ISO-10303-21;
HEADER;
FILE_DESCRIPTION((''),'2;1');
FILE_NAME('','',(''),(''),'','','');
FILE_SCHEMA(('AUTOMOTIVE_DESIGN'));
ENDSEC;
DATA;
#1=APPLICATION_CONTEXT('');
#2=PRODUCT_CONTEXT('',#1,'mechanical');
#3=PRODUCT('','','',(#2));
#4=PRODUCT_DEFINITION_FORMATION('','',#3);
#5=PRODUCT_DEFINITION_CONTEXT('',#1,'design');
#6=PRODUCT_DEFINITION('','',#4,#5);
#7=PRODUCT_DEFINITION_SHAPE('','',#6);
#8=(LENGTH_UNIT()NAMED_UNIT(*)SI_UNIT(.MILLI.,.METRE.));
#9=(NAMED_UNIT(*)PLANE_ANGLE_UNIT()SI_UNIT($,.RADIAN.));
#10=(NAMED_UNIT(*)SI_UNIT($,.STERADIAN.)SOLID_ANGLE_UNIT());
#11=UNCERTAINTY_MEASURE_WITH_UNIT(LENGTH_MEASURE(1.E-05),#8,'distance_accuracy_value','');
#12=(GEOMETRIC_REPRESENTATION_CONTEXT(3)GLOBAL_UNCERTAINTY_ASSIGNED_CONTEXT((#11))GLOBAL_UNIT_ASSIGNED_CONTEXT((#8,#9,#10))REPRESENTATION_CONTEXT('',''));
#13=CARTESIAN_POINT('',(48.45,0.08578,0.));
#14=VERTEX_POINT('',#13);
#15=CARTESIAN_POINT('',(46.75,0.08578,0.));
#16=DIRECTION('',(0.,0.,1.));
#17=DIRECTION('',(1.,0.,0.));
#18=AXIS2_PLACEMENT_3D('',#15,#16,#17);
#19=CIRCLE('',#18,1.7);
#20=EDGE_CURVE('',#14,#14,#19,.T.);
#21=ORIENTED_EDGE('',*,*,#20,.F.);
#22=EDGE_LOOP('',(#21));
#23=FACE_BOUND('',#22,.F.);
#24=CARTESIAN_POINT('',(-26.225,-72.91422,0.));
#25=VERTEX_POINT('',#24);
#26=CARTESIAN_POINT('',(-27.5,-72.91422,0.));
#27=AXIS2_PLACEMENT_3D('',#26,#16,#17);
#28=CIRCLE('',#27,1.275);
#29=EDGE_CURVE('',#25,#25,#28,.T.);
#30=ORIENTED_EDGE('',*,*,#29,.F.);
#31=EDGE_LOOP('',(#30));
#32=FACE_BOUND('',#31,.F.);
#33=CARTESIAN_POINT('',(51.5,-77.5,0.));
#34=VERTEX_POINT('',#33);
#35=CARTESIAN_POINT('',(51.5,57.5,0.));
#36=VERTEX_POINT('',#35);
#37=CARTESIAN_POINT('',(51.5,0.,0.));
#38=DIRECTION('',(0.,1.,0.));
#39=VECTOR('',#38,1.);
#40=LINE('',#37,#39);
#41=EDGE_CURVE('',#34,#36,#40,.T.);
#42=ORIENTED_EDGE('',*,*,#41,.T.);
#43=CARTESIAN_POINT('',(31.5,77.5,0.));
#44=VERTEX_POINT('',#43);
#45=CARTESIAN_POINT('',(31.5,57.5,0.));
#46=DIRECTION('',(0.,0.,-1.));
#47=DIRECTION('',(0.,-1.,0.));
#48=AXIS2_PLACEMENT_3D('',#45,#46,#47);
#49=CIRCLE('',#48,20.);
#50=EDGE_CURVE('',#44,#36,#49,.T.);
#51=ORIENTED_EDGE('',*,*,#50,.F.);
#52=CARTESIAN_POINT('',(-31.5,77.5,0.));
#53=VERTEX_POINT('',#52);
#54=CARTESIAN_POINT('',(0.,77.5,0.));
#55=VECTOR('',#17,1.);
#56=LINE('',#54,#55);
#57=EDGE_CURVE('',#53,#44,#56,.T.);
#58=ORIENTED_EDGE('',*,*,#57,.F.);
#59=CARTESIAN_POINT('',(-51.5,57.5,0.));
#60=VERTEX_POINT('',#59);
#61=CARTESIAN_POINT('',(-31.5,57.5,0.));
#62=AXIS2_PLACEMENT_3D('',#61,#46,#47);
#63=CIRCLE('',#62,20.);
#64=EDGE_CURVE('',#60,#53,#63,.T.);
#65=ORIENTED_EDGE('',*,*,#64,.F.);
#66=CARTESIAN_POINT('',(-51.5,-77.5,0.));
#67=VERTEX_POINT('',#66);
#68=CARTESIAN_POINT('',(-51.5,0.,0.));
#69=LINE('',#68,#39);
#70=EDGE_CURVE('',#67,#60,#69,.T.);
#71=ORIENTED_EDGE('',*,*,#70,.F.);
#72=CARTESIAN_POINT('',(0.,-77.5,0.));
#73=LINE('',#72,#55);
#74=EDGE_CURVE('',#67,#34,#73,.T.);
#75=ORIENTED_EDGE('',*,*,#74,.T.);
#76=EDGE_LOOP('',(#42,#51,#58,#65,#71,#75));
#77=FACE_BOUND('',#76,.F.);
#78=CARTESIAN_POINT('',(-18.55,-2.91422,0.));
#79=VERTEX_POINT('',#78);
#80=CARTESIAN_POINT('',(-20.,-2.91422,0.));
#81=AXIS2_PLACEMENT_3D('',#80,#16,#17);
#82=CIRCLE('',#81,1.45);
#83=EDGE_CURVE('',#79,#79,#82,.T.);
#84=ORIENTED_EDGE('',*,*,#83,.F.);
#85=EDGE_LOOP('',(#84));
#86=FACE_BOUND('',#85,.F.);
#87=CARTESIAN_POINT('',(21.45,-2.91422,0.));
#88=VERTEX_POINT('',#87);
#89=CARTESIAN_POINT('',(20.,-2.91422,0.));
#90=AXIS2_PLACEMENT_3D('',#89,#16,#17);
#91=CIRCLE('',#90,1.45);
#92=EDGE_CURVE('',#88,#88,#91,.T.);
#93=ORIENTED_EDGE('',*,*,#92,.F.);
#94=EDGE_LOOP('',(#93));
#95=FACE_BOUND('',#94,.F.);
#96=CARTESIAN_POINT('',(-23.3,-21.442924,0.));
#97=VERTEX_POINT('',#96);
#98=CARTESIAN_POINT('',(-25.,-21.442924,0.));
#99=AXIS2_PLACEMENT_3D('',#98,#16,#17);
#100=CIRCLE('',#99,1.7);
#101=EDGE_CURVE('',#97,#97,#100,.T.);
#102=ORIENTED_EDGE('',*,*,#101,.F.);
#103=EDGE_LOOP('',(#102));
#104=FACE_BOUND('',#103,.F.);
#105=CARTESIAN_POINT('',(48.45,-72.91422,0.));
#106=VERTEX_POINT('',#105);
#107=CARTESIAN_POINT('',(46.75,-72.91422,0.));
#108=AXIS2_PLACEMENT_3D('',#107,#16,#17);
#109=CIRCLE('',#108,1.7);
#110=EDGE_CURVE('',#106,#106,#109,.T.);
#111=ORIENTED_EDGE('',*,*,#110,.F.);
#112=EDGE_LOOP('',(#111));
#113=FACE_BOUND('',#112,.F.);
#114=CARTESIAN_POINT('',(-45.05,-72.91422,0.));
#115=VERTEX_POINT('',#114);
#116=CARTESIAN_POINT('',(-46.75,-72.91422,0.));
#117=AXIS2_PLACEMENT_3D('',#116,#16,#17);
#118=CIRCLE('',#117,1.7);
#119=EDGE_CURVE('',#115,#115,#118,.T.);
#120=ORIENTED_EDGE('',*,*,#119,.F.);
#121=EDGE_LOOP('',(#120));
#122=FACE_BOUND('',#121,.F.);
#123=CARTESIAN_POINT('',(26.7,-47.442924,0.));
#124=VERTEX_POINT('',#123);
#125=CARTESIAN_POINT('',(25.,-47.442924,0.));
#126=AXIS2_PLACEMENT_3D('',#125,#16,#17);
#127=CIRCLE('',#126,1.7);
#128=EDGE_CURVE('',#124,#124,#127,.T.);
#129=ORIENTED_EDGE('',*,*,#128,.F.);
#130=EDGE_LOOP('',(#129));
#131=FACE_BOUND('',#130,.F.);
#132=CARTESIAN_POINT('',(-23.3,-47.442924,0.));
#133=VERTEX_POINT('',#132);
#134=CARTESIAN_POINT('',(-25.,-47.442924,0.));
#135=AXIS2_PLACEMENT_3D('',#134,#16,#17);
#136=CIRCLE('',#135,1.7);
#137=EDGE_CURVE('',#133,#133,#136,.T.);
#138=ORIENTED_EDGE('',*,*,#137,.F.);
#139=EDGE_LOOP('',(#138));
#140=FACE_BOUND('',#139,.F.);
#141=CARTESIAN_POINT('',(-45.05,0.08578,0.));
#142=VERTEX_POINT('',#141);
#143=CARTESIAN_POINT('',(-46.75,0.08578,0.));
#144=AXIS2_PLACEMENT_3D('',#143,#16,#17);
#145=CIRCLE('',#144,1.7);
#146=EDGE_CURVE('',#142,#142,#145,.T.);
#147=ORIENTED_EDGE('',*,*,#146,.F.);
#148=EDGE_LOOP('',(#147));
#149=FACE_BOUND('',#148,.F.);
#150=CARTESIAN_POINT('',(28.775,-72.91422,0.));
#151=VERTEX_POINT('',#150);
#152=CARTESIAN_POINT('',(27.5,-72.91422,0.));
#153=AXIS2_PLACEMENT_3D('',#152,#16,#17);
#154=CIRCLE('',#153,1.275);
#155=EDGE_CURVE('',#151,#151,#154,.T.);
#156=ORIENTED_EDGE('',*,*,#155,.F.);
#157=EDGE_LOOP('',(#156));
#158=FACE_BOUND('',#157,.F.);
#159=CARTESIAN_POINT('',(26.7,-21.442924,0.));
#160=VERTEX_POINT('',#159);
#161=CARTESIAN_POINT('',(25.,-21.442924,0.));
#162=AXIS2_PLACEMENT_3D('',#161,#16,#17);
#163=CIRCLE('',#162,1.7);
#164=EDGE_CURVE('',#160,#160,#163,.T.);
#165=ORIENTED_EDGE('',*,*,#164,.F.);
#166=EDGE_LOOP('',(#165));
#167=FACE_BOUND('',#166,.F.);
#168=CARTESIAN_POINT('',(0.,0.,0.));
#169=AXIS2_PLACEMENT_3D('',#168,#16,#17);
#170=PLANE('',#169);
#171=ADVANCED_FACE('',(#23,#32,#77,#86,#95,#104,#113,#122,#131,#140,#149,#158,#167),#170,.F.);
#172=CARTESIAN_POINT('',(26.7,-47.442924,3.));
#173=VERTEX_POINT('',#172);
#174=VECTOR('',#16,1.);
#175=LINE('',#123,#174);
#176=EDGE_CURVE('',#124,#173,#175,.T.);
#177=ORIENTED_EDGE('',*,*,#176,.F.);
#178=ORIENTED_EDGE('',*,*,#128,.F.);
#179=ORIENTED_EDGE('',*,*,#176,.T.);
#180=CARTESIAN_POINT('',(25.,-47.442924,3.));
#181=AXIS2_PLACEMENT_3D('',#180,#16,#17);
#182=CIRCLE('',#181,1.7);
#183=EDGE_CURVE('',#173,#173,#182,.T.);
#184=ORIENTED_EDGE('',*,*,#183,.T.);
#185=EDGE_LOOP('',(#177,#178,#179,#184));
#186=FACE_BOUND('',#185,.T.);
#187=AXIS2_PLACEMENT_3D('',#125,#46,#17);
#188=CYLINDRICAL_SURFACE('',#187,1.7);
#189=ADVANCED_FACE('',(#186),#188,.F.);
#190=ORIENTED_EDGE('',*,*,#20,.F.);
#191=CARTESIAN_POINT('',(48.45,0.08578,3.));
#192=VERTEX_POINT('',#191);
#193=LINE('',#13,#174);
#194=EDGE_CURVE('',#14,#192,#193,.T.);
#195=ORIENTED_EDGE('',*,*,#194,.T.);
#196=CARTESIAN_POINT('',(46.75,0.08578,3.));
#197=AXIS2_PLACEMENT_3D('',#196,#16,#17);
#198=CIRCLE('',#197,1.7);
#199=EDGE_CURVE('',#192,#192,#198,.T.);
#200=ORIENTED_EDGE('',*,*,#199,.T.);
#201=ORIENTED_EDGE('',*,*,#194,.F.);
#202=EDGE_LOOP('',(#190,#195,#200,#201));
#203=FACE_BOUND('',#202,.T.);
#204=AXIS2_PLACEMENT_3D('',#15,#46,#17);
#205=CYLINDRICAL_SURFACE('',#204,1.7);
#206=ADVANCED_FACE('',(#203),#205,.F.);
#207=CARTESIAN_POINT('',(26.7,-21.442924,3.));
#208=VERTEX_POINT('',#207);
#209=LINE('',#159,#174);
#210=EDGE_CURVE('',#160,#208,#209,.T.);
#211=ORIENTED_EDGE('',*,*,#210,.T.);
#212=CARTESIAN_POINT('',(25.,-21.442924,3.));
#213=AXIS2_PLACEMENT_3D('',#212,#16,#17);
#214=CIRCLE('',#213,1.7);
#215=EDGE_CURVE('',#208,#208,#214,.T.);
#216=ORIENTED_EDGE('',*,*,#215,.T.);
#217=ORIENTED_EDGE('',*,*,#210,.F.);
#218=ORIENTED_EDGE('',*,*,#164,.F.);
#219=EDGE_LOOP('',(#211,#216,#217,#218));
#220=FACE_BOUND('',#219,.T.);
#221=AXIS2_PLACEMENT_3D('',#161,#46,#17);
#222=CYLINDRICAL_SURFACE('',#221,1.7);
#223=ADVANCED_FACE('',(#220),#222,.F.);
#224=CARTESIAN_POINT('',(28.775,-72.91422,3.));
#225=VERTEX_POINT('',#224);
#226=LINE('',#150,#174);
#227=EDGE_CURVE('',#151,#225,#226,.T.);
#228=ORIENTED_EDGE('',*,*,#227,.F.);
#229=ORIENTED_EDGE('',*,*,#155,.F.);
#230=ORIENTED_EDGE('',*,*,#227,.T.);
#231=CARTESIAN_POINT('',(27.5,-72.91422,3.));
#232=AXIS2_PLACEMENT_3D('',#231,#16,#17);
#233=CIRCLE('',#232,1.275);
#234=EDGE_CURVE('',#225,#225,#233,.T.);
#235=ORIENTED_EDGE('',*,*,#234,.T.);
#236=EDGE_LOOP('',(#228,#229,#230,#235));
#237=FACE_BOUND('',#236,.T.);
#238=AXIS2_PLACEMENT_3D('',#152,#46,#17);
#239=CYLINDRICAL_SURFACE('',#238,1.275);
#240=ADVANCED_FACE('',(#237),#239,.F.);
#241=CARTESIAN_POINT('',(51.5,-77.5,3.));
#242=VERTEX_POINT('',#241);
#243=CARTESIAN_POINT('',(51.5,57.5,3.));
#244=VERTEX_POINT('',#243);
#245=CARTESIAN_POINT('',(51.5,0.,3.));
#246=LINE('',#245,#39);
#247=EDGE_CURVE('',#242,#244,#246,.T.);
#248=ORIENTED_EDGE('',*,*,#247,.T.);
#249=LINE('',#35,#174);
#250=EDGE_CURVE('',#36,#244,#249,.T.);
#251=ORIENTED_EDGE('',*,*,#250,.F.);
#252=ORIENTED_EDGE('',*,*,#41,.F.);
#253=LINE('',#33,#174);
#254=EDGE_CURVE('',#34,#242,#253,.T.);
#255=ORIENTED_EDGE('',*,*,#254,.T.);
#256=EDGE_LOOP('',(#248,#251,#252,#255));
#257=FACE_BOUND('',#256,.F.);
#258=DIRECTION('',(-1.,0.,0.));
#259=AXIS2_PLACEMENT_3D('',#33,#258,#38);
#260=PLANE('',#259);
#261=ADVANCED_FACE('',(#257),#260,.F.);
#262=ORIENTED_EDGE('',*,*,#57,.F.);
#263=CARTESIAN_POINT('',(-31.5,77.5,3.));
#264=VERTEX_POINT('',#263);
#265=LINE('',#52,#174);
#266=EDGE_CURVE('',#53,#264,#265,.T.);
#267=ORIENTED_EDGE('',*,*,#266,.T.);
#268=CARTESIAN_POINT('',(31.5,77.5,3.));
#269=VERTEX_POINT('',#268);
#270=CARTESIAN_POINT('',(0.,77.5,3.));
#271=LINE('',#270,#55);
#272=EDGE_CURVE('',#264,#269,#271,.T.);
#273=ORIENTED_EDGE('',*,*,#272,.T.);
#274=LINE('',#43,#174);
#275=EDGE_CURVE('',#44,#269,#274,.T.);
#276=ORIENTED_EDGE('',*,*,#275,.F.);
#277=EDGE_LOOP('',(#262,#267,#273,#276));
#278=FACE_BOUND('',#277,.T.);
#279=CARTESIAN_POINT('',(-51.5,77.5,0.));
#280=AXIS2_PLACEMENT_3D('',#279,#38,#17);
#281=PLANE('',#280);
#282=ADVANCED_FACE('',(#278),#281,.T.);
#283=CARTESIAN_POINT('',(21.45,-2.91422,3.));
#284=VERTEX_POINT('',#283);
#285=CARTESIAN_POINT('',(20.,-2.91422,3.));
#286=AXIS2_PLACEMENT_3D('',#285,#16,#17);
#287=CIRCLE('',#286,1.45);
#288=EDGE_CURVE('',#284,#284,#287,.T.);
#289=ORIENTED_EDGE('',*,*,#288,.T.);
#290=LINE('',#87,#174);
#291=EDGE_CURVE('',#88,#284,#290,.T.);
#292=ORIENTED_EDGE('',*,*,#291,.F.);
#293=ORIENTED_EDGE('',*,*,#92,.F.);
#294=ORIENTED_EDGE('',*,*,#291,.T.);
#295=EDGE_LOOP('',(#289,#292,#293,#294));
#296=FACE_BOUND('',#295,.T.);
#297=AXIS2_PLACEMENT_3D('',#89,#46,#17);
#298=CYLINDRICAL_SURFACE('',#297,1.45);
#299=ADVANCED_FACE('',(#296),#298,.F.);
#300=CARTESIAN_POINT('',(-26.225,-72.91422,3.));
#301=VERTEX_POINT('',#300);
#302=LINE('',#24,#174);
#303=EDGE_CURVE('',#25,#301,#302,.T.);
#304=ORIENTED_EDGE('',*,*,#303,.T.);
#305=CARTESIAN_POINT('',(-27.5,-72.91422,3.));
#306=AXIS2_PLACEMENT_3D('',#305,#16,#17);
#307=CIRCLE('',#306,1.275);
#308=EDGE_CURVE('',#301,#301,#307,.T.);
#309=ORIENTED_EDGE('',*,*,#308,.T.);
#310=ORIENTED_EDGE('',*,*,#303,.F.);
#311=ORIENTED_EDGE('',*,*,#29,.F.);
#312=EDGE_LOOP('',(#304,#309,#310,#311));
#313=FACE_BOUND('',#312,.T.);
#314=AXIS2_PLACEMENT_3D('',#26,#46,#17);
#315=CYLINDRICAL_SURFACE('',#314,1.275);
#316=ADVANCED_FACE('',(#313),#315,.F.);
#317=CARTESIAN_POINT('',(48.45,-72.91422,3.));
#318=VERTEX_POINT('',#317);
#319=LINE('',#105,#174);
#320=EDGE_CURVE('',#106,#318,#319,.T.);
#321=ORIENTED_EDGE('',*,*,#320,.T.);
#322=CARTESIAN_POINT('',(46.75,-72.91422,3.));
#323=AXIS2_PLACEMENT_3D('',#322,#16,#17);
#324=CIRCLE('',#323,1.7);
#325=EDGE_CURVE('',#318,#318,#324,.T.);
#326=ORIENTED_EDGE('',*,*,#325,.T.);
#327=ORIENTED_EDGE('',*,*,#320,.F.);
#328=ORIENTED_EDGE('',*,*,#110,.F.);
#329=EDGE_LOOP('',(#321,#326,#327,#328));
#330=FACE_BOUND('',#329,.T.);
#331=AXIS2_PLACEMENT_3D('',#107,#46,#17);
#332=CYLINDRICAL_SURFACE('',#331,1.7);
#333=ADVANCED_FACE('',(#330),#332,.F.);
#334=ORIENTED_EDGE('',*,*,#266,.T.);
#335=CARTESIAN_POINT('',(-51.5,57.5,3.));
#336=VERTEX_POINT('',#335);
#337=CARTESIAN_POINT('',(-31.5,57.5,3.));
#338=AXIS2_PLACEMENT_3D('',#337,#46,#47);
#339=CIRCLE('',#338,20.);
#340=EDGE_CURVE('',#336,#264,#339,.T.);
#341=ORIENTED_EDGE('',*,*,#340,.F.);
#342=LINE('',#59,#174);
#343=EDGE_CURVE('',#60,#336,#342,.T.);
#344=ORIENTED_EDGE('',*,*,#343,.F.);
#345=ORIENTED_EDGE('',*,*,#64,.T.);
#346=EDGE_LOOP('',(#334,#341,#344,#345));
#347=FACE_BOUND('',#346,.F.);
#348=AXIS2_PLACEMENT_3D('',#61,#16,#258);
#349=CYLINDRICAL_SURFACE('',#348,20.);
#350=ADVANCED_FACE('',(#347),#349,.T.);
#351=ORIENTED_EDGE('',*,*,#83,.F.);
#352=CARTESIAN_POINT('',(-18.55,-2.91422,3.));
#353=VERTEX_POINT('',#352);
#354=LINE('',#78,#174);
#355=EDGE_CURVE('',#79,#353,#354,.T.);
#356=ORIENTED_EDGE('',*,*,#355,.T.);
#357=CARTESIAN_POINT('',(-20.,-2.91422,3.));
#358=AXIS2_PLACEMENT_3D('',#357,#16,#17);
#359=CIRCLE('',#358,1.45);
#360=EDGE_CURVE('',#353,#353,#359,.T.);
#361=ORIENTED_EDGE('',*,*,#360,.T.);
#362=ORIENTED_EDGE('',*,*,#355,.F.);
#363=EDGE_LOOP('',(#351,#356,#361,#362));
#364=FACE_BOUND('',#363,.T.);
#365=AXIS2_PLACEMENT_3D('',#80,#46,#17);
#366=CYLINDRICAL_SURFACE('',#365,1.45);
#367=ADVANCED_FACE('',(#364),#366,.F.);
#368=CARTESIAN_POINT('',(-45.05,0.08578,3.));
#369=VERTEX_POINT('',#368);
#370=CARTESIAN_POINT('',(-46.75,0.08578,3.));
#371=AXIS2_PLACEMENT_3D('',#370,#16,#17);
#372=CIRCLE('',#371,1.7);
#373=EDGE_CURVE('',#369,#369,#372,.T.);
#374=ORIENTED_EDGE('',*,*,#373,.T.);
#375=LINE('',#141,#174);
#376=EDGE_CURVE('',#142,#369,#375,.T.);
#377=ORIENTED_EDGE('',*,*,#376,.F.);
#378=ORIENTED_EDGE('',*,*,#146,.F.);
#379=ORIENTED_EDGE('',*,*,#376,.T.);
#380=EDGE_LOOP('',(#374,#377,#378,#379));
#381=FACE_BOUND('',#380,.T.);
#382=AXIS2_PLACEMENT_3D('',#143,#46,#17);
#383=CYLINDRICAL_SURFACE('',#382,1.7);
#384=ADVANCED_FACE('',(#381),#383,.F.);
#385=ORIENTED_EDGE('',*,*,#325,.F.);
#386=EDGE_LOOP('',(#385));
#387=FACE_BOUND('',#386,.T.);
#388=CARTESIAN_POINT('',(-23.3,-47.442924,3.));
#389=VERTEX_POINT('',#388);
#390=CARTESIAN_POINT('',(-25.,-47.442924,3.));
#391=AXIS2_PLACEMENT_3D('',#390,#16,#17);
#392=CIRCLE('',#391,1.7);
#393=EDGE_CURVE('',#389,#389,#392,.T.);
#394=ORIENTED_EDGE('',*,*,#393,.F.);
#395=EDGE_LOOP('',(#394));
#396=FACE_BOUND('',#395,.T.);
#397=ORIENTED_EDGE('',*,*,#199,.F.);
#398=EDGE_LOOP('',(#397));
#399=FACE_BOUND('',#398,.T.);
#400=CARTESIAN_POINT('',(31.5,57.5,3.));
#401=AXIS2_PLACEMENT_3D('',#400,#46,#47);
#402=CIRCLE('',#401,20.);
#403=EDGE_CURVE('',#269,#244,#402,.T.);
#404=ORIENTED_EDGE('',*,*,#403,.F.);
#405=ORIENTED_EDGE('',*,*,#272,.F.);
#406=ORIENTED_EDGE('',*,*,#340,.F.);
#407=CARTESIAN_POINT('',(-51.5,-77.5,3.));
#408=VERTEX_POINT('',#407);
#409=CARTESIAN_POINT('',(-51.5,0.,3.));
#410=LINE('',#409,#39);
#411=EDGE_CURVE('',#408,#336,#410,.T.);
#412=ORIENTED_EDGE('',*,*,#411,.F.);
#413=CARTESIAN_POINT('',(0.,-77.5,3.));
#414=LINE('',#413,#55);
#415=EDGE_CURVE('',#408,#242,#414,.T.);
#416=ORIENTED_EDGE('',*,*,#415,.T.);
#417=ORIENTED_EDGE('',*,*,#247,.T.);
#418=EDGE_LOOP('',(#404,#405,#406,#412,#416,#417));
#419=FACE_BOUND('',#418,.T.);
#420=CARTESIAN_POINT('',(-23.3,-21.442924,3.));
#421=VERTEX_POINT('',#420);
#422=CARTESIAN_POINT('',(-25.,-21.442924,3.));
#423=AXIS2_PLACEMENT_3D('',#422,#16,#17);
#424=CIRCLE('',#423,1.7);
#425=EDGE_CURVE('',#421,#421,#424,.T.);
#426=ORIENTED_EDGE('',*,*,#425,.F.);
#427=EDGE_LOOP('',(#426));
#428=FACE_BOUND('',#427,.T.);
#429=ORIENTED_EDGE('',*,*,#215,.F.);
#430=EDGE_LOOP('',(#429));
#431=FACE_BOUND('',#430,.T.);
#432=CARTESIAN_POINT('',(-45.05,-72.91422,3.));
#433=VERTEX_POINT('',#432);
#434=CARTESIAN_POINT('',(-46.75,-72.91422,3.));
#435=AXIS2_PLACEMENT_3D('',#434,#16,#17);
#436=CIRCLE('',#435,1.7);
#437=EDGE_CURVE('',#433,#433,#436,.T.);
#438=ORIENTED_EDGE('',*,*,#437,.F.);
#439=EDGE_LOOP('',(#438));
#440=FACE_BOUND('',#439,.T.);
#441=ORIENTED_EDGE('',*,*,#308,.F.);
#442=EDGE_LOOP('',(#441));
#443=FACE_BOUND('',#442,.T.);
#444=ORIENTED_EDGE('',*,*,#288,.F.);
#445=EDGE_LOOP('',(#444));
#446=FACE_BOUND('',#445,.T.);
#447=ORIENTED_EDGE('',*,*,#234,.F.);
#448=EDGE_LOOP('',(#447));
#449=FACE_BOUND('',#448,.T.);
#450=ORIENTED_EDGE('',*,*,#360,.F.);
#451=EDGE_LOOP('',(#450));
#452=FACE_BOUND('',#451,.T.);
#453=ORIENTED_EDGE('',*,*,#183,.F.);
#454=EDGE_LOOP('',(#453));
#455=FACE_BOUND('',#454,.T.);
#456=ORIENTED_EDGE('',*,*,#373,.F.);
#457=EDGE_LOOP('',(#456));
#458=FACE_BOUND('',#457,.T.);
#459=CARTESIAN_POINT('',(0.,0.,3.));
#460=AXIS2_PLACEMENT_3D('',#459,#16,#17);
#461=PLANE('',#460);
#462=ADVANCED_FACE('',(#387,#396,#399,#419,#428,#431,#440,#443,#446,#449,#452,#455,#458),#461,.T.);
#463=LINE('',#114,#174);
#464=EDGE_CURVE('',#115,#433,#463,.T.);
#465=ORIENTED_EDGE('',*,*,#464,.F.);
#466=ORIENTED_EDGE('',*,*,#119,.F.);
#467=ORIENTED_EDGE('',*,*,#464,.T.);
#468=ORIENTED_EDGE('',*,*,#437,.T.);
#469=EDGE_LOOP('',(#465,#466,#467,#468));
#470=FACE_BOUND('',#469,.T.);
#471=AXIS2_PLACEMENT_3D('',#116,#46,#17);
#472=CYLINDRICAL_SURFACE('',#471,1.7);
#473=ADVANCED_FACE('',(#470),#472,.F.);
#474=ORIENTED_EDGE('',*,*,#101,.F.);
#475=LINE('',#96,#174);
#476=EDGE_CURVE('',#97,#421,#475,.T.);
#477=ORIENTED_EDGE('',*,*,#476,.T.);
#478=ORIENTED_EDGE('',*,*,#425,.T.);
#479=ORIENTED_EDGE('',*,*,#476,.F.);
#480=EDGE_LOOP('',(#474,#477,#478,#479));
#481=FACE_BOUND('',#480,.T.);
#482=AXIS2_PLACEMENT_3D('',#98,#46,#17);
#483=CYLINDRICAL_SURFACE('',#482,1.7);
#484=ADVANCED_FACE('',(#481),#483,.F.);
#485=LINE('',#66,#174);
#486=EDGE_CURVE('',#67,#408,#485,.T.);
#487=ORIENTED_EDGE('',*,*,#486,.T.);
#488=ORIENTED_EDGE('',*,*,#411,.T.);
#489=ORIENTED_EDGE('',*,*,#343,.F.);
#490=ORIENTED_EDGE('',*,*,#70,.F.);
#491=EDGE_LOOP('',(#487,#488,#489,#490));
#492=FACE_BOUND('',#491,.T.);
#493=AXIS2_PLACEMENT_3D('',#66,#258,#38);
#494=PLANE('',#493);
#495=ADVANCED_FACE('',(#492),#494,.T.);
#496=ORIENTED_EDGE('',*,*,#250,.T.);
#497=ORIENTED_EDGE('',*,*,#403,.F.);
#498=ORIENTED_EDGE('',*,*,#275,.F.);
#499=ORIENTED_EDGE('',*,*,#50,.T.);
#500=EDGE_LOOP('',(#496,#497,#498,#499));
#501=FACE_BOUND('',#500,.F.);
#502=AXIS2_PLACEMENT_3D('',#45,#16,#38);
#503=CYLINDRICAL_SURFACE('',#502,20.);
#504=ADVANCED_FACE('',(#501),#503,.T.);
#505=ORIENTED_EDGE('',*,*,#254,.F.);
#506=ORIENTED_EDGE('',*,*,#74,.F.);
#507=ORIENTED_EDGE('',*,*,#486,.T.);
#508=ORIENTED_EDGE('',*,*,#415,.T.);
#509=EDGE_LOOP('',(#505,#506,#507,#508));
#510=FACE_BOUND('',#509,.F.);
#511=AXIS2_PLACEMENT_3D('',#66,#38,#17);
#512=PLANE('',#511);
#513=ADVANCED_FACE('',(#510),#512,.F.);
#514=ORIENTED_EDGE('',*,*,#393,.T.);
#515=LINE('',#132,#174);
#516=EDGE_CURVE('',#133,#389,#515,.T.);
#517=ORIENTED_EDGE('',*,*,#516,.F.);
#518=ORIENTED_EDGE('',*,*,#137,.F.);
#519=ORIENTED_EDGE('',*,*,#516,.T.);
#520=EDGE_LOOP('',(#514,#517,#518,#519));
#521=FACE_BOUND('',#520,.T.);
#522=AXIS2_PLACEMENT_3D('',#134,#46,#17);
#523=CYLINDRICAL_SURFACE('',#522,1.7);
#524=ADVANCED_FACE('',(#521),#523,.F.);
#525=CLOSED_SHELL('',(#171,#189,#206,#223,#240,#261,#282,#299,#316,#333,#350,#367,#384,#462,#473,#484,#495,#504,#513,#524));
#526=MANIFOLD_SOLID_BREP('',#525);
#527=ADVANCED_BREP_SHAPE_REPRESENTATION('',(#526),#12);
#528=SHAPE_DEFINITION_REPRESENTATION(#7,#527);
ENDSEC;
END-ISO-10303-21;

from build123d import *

# Parameters (mm, degrees)
SKETCH_W   = 103
SKETCH_H   = 155
SKETCH_R   = 1.275
SKETCH_R_2 = 1.45
SKETCH_R_3 = 1.7
PAD_DEPTH  = 3
FILLET_R   = 20


with BuildPart() as part:
    # Sketch → Pad (new body)
    with BuildSketch(Plane.XY):
        Rectangle(SKETCH_W, SKETCH_H)
        with Locations((-27.5, -72.91422)):
            Circle(SKETCH_R, mode=Mode.SUBTRACT)
        with Locations((27.5, -72.91422)):
            Circle(SKETCH_R, mode=Mode.SUBTRACT)
        with Locations((-20, -2.91422)):
            Circle(SKETCH_R_2, mode=Mode.SUBTRACT)
        with Locations((20, -2.91422)):
            Circle(SKETCH_R_2, mode=Mode.SUBTRACT)
        with Locations((-46.75, 0.08578)):
            Circle(SKETCH_R_3, mode=Mode.SUBTRACT)
        with Locations((-46.75, -72.91422)):
            Circle(SKETCH_R_3, mode=Mode.SUBTRACT)
        with Locations((46.75, -72.91422)):
            Circle(SKETCH_R_3, mode=Mode.SUBTRACT)
        with Locations((46.75, 0.08578)):
            Circle(SKETCH_R_3, mode=Mode.SUBTRACT)
        with Locations((-25, -21.442924)):
            Circle(SKETCH_R_3, mode=Mode.SUBTRACT)
        with Locations((-25, -47.442924)):
            Circle(SKETCH_R_3, mode=Mode.SUBTRACT)
        with Locations((25, -21.442924)):
            Circle(SKETCH_R_3, mode=Mode.SUBTRACT)
        with Locations((25, -47.442924)):
            Circle(SKETCH_R_3, mode=Mode.SUBTRACT)
    extrude(amount=PAD_DEPTH)

    # Fillet
    fillet_edges = [part.edges().sort_by_distance(p)[0] for p in [
        (-51.5, 77.5, 1.5),
        (51.5, 77.5, 1.5),
    ]]
    fillet(fillet_edges, radius=FILLET_R)


solid = part.part
